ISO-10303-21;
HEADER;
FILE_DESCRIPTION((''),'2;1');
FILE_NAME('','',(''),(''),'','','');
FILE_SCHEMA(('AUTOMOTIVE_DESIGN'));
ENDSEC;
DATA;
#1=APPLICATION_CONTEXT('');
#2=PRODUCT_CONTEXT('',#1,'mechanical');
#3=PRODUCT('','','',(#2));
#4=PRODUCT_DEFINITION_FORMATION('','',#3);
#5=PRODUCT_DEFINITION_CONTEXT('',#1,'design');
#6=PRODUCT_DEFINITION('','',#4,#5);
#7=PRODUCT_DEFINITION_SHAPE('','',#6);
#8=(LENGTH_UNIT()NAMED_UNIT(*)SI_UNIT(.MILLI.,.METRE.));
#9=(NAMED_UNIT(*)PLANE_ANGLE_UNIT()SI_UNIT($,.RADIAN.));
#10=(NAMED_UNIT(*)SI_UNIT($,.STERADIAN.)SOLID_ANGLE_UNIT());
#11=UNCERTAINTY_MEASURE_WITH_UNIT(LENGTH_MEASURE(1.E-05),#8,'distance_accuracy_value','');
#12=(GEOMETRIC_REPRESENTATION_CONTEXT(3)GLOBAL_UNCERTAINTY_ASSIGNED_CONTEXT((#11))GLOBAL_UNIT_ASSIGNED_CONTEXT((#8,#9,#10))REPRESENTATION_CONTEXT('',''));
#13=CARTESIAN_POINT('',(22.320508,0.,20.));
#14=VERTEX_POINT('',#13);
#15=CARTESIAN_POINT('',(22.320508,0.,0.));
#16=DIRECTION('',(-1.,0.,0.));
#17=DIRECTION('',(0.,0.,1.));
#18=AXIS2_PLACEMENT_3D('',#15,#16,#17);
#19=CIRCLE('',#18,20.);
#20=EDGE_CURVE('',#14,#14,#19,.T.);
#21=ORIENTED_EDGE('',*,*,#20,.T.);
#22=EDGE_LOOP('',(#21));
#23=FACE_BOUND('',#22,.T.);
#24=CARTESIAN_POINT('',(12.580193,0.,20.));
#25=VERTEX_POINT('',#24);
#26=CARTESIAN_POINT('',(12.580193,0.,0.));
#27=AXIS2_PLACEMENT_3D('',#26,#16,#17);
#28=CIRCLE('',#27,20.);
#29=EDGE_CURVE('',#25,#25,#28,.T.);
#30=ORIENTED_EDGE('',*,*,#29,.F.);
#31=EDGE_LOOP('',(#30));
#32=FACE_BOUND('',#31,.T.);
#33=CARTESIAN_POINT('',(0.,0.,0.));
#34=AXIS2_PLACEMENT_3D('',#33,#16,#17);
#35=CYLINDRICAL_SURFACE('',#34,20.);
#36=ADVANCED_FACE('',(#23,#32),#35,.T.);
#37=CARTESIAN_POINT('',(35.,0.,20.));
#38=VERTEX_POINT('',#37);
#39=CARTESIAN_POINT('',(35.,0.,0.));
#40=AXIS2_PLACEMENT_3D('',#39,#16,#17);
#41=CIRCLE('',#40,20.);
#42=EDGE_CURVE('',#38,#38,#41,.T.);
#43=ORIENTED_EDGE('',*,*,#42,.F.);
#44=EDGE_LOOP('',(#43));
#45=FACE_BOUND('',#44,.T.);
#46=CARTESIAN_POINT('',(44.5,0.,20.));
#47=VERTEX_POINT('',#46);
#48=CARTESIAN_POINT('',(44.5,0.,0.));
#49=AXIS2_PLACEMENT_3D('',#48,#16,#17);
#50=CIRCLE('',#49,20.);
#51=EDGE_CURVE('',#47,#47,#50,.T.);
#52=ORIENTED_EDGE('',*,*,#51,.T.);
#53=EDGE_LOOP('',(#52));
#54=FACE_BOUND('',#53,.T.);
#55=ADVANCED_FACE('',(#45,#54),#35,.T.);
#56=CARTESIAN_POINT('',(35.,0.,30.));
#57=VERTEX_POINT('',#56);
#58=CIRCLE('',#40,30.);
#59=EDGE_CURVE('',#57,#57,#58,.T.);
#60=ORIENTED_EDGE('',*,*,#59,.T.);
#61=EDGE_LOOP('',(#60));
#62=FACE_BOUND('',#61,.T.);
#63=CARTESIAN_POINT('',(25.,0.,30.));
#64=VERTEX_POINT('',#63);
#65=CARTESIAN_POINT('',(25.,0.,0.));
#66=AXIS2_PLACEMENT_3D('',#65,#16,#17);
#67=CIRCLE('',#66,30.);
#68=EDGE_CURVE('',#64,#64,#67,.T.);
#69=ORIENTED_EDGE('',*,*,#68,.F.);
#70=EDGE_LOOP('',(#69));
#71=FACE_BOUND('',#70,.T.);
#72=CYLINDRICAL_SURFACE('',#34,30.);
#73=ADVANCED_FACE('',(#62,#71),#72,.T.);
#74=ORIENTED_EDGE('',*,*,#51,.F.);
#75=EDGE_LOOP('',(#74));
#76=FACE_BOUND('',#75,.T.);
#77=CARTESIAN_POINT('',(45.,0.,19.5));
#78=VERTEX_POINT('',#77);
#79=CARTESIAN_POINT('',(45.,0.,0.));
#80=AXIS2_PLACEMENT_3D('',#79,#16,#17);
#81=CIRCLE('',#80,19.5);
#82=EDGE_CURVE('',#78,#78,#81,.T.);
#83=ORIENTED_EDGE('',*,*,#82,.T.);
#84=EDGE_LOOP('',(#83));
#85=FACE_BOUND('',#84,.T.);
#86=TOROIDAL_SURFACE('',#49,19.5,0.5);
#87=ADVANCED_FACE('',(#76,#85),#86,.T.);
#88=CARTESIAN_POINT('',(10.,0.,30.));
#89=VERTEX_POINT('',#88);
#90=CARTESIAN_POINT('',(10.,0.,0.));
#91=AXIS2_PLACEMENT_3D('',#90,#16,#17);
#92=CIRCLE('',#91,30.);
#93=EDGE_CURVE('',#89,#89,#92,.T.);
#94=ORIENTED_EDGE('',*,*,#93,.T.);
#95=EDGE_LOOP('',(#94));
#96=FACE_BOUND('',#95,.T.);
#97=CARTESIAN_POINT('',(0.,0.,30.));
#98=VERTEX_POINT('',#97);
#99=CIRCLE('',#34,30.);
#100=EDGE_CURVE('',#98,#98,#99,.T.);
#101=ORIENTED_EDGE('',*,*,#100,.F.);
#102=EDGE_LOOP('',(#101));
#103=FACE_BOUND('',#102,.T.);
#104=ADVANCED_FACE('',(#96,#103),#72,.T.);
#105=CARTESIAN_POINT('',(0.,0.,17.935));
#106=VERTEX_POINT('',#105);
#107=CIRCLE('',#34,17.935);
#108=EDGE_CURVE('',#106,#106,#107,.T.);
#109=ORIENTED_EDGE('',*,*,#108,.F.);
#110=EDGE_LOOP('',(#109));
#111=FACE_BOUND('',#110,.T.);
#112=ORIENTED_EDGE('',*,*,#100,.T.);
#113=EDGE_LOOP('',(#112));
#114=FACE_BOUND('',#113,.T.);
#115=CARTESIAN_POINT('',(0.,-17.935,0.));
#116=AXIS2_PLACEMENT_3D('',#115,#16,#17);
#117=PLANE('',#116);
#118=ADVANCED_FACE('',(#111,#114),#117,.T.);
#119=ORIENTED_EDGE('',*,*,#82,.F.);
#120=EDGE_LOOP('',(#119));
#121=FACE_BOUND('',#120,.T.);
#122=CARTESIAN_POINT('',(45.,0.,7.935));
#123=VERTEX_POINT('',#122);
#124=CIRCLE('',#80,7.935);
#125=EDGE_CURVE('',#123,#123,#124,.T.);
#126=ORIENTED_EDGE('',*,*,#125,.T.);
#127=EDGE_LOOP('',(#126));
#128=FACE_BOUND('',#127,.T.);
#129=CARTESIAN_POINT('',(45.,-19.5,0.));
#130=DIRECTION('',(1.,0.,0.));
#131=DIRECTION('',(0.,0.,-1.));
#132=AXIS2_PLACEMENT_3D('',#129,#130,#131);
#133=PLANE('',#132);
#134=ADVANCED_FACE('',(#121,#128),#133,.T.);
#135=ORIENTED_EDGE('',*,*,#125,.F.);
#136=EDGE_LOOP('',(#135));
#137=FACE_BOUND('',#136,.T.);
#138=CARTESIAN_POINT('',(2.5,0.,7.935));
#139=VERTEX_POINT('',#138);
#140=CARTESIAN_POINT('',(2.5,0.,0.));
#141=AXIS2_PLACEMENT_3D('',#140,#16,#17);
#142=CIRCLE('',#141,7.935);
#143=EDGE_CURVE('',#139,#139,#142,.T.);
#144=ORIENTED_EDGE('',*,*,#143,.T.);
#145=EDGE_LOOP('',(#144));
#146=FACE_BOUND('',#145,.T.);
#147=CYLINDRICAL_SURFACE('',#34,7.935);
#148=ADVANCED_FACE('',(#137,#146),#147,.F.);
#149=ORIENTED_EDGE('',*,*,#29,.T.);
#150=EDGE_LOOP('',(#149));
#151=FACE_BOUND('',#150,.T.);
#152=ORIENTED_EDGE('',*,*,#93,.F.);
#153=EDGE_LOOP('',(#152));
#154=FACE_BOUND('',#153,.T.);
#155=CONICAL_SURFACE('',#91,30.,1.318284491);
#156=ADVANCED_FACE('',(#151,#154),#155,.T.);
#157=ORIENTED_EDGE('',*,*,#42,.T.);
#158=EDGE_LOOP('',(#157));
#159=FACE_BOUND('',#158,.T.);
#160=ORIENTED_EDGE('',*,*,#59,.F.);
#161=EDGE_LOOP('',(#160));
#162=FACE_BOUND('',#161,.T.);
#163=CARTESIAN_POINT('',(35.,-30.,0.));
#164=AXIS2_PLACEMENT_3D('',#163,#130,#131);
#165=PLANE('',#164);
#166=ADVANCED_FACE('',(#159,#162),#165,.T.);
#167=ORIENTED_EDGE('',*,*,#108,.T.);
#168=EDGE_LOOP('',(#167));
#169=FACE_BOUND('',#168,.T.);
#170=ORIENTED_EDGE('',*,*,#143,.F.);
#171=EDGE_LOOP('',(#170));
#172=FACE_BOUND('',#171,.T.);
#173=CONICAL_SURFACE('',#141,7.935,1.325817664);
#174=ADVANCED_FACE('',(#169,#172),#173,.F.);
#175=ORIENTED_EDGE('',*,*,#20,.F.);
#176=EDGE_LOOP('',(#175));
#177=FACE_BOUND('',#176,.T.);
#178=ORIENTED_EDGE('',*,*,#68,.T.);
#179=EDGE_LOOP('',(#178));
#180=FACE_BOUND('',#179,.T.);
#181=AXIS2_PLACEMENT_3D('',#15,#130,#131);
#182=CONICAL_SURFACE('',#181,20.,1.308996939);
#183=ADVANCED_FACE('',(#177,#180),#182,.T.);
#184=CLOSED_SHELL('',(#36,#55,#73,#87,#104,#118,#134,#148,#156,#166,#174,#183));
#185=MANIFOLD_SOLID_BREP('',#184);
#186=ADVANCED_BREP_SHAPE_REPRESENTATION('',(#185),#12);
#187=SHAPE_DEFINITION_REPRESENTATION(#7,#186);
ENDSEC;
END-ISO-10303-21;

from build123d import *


with BuildPart() as part:
    # Sketch1 → Revolve1 (revolve)
    with BuildSketch(Plane.XY):
        with BuildLine():
            Line((0, -17.935), (0, -30))
            Line((0, -30), (10, -30))
            Line((10, -30), (12.580192505, -20))
            Line((12.580192505, -20), (22.320508076, -20))
            Line((22.320508076, -20), (25, -30))
            Line((25, -30), (35, -30))
            Line((35, -30), (35, -20))
            Line((35, -20), (44.5, -20))
            ThreePointArc((44.5, -20), (44.853553391, -19.853553391), (45, -19.5))
            Line((45, -19.5), (45, -7.935))
            Line((45, -7.935), (2.5, -7.935))
            Line((2.5, -7.935), (0, -17.935))
        make_face()
    revolve(axis=Axis((0, 0, 0), (1, 0, 0)))


solid = part.part
